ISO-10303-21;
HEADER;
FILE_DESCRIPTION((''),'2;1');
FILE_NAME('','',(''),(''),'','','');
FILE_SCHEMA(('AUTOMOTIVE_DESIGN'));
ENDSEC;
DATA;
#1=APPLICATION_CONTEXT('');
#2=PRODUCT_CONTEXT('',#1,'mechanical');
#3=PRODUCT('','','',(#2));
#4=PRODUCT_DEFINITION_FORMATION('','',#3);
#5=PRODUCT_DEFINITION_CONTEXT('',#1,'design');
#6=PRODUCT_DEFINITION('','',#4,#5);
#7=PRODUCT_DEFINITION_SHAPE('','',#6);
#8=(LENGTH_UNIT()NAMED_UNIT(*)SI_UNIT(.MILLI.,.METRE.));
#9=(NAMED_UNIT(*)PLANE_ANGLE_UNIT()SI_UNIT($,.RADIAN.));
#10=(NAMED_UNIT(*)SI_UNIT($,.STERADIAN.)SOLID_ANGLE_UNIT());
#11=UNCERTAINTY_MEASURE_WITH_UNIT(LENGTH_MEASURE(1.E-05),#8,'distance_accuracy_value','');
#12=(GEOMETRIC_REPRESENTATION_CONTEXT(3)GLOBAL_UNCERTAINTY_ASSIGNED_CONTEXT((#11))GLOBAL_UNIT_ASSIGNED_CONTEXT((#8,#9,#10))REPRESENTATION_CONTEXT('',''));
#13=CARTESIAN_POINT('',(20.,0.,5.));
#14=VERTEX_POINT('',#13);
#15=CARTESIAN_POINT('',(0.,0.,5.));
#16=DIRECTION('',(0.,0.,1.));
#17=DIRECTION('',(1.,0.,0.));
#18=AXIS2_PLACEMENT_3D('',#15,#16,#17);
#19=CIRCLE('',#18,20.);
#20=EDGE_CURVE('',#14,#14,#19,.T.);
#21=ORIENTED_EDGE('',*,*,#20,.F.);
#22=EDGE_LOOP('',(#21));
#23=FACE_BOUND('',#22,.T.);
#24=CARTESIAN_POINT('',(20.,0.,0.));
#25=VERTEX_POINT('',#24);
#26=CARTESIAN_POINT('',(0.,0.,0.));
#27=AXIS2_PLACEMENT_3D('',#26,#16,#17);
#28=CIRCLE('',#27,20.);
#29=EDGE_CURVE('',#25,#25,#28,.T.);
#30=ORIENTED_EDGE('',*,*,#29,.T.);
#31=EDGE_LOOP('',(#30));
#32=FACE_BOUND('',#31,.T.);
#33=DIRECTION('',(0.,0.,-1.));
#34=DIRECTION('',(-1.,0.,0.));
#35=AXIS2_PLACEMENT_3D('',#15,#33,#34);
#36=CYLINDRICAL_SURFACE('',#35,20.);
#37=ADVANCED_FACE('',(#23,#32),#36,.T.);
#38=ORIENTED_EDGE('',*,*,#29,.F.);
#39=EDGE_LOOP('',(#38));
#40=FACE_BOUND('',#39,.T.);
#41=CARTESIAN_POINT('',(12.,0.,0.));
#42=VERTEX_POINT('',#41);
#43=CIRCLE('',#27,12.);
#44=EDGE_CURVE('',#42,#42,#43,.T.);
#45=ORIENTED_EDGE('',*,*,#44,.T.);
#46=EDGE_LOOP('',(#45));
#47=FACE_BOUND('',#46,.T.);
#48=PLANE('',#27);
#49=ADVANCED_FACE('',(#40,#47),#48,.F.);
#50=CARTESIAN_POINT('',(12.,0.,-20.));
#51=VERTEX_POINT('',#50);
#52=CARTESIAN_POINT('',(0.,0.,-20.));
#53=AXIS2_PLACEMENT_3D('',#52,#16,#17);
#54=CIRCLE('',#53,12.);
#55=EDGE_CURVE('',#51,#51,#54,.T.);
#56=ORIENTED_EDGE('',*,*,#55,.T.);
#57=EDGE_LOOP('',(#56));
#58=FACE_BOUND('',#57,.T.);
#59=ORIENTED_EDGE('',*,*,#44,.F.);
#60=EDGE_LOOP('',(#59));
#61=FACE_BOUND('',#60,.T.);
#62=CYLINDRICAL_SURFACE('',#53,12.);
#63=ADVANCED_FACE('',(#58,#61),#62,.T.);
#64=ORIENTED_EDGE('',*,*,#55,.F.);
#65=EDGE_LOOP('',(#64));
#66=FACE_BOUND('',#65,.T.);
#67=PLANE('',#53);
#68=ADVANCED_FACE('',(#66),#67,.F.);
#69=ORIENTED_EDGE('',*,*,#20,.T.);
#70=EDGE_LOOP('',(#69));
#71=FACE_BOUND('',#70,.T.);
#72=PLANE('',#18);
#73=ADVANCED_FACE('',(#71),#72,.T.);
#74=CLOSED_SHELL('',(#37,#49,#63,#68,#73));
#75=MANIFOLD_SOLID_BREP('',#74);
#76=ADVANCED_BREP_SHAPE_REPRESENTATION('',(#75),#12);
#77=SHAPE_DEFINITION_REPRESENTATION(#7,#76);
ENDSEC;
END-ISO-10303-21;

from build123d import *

# Parameters (mm, degrees)
SKETCH1_R           = 20
SKETCH1_R_2         = 12
BOSS_EXTRUDE1_DEPTH = 5
BOSS_EXTRUDE2_START = -25
SKETCH2_R           = 12
BOSS_EXTRUDE2_DEPTH = 25


with BuildPart() as part:
    # Sketch1 → Boss-Extrude1 (new body)
    with BuildSketch(Plane.XY):
        Circle(SKETCH1_R)
        Circle(SKETCH1_R_2, mode=Mode.SUBTRACT)
    extrude(amount=BOSS_EXTRUDE1_DEPTH)

    # Sketch2 → Boss-Extrude2 (add)
    with BuildSketch(Plane.XY.offset(5).offset(BOSS_EXTRUDE2_START)):
        Circle(SKETCH2_R)
    extrude(amount=BOSS_EXTRUDE2_DEPTH)


solid = part.part
